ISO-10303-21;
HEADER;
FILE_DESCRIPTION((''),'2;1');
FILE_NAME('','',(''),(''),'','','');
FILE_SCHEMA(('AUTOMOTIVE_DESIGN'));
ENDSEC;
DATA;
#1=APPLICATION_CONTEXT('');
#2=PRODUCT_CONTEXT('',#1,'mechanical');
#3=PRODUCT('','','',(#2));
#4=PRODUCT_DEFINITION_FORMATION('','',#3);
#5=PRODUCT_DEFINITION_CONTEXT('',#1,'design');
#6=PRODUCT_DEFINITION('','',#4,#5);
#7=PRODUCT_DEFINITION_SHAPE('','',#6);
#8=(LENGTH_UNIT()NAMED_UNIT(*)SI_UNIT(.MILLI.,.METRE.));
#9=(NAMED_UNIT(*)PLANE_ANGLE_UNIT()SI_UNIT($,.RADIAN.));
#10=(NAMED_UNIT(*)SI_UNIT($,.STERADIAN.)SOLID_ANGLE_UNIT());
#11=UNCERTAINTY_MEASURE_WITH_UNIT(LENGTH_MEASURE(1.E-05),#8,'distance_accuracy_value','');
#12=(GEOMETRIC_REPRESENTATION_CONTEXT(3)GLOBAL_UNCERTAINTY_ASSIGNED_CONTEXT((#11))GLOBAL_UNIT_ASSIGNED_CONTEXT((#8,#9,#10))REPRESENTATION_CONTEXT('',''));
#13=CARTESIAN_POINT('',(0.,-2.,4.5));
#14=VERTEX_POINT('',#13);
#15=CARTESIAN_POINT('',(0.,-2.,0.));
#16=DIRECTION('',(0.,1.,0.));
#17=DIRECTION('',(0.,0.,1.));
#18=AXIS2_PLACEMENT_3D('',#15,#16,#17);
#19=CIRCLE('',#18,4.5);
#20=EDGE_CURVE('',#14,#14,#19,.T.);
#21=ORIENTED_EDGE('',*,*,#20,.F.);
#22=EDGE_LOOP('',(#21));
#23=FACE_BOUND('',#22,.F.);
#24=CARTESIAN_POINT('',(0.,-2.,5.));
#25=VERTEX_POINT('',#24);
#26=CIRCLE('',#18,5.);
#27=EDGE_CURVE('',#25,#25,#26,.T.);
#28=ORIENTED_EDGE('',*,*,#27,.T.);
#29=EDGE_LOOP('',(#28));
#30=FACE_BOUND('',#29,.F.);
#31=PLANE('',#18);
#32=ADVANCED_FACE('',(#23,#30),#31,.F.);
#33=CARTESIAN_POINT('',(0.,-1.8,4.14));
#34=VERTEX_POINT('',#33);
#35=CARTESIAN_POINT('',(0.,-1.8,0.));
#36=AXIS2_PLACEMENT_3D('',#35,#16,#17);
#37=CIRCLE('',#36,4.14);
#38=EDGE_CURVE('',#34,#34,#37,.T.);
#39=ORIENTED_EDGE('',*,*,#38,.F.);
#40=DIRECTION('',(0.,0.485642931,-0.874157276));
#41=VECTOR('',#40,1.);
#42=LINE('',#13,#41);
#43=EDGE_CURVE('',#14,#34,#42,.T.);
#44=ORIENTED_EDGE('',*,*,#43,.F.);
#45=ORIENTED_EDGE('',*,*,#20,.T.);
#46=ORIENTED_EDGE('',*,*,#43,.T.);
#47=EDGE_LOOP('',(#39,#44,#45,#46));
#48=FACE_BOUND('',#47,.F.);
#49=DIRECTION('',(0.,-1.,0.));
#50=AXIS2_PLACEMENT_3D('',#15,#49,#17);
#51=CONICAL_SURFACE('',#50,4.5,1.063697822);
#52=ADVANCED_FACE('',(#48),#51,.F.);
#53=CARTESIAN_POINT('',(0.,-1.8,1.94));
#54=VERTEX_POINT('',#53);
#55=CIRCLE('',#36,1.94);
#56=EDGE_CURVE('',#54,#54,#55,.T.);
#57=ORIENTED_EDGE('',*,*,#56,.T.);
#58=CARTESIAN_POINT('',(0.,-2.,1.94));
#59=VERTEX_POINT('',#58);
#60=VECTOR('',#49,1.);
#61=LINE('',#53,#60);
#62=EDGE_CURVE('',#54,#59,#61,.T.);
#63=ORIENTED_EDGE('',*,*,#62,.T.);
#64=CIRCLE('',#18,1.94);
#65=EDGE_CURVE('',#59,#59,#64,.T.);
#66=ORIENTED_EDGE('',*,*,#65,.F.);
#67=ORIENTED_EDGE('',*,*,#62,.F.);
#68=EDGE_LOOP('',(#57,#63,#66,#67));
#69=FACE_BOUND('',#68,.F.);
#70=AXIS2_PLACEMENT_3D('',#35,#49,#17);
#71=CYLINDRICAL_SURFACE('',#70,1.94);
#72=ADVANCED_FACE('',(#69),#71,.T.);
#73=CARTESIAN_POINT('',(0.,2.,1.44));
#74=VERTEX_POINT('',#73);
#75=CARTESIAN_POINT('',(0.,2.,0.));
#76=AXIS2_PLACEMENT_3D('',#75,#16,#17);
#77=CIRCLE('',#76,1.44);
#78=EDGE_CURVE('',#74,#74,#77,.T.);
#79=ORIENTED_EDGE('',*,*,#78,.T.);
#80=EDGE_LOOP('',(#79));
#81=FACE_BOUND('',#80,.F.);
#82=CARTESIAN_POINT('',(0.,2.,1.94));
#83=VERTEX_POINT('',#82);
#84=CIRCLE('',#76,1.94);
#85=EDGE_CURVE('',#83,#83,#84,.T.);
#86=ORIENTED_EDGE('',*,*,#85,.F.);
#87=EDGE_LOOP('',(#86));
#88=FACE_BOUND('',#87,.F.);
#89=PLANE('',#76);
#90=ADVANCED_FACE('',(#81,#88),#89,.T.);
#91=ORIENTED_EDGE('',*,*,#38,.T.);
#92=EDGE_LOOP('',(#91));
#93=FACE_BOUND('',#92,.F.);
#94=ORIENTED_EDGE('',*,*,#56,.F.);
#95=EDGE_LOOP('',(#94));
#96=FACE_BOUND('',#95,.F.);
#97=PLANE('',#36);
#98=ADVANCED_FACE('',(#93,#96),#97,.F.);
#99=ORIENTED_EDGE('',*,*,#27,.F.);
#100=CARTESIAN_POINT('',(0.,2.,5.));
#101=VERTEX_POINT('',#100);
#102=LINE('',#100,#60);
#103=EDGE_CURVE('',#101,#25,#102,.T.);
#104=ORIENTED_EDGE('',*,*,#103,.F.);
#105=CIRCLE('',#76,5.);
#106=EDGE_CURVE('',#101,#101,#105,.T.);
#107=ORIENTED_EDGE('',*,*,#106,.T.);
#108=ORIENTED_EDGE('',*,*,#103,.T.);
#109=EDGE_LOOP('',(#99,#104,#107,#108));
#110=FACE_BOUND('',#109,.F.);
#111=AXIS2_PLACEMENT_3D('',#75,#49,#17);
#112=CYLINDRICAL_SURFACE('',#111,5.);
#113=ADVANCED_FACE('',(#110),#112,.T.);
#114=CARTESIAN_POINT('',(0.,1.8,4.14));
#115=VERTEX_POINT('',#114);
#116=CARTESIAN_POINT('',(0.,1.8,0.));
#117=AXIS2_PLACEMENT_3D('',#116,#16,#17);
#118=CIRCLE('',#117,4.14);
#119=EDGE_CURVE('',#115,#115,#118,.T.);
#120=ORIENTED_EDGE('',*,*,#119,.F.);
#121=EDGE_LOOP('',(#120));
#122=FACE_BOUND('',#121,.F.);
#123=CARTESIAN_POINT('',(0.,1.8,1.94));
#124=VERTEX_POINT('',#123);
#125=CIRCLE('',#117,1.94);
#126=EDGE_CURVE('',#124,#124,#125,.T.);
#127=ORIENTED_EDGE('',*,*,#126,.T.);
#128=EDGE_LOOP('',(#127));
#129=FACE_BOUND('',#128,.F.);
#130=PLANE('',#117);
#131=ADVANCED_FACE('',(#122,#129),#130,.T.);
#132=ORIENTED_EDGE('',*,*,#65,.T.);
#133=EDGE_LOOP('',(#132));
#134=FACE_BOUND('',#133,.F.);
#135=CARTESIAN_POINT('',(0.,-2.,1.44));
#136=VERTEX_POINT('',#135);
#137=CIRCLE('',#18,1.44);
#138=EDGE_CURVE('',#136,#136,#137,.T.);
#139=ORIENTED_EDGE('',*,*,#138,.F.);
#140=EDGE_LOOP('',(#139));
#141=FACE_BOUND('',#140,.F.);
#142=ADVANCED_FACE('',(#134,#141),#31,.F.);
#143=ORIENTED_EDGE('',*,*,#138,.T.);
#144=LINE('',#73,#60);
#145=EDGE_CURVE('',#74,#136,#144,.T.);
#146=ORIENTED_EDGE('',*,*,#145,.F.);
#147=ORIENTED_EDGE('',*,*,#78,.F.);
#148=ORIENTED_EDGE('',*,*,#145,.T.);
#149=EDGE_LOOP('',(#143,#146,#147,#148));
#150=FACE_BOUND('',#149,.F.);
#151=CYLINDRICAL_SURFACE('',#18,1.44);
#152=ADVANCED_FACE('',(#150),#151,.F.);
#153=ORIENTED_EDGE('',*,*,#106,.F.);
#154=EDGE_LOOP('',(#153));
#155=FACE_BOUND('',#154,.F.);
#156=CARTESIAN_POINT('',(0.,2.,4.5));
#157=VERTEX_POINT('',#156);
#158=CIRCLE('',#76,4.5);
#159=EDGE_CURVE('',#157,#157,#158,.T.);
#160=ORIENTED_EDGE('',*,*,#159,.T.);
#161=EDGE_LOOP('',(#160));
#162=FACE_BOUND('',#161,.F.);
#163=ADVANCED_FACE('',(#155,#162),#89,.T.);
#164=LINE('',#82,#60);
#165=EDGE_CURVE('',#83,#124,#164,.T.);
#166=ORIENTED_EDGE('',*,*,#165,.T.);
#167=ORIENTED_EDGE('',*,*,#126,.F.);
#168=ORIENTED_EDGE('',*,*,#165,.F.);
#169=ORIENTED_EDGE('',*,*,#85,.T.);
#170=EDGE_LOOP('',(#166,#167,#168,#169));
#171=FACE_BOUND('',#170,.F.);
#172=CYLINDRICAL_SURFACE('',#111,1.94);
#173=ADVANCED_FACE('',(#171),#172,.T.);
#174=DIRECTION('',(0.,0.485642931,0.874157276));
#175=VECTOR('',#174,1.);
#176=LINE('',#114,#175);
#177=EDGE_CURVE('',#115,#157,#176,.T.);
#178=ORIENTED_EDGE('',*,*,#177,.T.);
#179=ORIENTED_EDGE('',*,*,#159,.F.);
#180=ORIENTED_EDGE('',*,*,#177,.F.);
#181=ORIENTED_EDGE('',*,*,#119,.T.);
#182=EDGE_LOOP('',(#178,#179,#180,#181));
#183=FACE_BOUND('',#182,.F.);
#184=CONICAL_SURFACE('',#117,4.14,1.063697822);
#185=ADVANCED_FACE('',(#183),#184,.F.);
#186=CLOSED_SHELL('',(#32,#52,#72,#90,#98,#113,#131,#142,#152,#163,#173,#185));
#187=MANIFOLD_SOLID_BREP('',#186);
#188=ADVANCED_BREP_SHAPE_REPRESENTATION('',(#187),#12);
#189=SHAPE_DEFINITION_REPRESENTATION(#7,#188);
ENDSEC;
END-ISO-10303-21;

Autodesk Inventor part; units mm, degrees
ref_plane "YZ Plane" through (0, 0, 0) normal (1, 0, 0) x (0, 1, 0)
ref_plane "XZ Plane" through (0, 0, 0) normal (0, 1, 0) x (-1, 0, 0)
ref_plane "XY Plane" through (0, 0, 0) normal (0, 0, 1) x (1, 0, 0)
sketch "Sketch1" plane through (0, 0, 0) normal (1, 0, 0) x (0, 1, 0)
  line L0 (0, -1) -> (0, 6) projected
  line L1 (-2.8, 0) -> (2.8, 0) projected
  line L2 (-2, 1.44) -> (2, 1.44)
  line L3 (2, 1.44) -> (2, 1.94)
  line L4 (2, 1.94) -> (1.8, 1.94)
  line L5 (1.8, 1.94) -> (1.8, 4.14)
  line L6 (1.8, 4.14) -> (2, 4.5)
  line L7 (2, 4.5) -> (2, 5)
  line L8 (2, 5) -> (-2, 5)
  line L9 (-2, 5) -> (-2, 4.5)
  line L10 (-2, 4.5) -> (-1.8, 4.14)
  line L11 (-1.8, 4.14) -> (-1.8, 1.94)
  line L12 (-1.8, 1.94) -> (-2, 1.94)
  line L13 (-2, 1.94) -> (-2, 1.44)
  point P0 (0, 0)
  dimension "d0" = 2.88
  dimension "d1" = 10
  dimension "d2" = 4
  dimension "d3" = 0.5
  dimension "d4" = 0.5
  dimension "d5" = 2.2
  dimension "d6" = 0.2
revolve "Revolution1" add sketch "Sketch1" angle 360 about axis through (0, -10, 0) along (0, 1, 0)
properties part number "empty"
